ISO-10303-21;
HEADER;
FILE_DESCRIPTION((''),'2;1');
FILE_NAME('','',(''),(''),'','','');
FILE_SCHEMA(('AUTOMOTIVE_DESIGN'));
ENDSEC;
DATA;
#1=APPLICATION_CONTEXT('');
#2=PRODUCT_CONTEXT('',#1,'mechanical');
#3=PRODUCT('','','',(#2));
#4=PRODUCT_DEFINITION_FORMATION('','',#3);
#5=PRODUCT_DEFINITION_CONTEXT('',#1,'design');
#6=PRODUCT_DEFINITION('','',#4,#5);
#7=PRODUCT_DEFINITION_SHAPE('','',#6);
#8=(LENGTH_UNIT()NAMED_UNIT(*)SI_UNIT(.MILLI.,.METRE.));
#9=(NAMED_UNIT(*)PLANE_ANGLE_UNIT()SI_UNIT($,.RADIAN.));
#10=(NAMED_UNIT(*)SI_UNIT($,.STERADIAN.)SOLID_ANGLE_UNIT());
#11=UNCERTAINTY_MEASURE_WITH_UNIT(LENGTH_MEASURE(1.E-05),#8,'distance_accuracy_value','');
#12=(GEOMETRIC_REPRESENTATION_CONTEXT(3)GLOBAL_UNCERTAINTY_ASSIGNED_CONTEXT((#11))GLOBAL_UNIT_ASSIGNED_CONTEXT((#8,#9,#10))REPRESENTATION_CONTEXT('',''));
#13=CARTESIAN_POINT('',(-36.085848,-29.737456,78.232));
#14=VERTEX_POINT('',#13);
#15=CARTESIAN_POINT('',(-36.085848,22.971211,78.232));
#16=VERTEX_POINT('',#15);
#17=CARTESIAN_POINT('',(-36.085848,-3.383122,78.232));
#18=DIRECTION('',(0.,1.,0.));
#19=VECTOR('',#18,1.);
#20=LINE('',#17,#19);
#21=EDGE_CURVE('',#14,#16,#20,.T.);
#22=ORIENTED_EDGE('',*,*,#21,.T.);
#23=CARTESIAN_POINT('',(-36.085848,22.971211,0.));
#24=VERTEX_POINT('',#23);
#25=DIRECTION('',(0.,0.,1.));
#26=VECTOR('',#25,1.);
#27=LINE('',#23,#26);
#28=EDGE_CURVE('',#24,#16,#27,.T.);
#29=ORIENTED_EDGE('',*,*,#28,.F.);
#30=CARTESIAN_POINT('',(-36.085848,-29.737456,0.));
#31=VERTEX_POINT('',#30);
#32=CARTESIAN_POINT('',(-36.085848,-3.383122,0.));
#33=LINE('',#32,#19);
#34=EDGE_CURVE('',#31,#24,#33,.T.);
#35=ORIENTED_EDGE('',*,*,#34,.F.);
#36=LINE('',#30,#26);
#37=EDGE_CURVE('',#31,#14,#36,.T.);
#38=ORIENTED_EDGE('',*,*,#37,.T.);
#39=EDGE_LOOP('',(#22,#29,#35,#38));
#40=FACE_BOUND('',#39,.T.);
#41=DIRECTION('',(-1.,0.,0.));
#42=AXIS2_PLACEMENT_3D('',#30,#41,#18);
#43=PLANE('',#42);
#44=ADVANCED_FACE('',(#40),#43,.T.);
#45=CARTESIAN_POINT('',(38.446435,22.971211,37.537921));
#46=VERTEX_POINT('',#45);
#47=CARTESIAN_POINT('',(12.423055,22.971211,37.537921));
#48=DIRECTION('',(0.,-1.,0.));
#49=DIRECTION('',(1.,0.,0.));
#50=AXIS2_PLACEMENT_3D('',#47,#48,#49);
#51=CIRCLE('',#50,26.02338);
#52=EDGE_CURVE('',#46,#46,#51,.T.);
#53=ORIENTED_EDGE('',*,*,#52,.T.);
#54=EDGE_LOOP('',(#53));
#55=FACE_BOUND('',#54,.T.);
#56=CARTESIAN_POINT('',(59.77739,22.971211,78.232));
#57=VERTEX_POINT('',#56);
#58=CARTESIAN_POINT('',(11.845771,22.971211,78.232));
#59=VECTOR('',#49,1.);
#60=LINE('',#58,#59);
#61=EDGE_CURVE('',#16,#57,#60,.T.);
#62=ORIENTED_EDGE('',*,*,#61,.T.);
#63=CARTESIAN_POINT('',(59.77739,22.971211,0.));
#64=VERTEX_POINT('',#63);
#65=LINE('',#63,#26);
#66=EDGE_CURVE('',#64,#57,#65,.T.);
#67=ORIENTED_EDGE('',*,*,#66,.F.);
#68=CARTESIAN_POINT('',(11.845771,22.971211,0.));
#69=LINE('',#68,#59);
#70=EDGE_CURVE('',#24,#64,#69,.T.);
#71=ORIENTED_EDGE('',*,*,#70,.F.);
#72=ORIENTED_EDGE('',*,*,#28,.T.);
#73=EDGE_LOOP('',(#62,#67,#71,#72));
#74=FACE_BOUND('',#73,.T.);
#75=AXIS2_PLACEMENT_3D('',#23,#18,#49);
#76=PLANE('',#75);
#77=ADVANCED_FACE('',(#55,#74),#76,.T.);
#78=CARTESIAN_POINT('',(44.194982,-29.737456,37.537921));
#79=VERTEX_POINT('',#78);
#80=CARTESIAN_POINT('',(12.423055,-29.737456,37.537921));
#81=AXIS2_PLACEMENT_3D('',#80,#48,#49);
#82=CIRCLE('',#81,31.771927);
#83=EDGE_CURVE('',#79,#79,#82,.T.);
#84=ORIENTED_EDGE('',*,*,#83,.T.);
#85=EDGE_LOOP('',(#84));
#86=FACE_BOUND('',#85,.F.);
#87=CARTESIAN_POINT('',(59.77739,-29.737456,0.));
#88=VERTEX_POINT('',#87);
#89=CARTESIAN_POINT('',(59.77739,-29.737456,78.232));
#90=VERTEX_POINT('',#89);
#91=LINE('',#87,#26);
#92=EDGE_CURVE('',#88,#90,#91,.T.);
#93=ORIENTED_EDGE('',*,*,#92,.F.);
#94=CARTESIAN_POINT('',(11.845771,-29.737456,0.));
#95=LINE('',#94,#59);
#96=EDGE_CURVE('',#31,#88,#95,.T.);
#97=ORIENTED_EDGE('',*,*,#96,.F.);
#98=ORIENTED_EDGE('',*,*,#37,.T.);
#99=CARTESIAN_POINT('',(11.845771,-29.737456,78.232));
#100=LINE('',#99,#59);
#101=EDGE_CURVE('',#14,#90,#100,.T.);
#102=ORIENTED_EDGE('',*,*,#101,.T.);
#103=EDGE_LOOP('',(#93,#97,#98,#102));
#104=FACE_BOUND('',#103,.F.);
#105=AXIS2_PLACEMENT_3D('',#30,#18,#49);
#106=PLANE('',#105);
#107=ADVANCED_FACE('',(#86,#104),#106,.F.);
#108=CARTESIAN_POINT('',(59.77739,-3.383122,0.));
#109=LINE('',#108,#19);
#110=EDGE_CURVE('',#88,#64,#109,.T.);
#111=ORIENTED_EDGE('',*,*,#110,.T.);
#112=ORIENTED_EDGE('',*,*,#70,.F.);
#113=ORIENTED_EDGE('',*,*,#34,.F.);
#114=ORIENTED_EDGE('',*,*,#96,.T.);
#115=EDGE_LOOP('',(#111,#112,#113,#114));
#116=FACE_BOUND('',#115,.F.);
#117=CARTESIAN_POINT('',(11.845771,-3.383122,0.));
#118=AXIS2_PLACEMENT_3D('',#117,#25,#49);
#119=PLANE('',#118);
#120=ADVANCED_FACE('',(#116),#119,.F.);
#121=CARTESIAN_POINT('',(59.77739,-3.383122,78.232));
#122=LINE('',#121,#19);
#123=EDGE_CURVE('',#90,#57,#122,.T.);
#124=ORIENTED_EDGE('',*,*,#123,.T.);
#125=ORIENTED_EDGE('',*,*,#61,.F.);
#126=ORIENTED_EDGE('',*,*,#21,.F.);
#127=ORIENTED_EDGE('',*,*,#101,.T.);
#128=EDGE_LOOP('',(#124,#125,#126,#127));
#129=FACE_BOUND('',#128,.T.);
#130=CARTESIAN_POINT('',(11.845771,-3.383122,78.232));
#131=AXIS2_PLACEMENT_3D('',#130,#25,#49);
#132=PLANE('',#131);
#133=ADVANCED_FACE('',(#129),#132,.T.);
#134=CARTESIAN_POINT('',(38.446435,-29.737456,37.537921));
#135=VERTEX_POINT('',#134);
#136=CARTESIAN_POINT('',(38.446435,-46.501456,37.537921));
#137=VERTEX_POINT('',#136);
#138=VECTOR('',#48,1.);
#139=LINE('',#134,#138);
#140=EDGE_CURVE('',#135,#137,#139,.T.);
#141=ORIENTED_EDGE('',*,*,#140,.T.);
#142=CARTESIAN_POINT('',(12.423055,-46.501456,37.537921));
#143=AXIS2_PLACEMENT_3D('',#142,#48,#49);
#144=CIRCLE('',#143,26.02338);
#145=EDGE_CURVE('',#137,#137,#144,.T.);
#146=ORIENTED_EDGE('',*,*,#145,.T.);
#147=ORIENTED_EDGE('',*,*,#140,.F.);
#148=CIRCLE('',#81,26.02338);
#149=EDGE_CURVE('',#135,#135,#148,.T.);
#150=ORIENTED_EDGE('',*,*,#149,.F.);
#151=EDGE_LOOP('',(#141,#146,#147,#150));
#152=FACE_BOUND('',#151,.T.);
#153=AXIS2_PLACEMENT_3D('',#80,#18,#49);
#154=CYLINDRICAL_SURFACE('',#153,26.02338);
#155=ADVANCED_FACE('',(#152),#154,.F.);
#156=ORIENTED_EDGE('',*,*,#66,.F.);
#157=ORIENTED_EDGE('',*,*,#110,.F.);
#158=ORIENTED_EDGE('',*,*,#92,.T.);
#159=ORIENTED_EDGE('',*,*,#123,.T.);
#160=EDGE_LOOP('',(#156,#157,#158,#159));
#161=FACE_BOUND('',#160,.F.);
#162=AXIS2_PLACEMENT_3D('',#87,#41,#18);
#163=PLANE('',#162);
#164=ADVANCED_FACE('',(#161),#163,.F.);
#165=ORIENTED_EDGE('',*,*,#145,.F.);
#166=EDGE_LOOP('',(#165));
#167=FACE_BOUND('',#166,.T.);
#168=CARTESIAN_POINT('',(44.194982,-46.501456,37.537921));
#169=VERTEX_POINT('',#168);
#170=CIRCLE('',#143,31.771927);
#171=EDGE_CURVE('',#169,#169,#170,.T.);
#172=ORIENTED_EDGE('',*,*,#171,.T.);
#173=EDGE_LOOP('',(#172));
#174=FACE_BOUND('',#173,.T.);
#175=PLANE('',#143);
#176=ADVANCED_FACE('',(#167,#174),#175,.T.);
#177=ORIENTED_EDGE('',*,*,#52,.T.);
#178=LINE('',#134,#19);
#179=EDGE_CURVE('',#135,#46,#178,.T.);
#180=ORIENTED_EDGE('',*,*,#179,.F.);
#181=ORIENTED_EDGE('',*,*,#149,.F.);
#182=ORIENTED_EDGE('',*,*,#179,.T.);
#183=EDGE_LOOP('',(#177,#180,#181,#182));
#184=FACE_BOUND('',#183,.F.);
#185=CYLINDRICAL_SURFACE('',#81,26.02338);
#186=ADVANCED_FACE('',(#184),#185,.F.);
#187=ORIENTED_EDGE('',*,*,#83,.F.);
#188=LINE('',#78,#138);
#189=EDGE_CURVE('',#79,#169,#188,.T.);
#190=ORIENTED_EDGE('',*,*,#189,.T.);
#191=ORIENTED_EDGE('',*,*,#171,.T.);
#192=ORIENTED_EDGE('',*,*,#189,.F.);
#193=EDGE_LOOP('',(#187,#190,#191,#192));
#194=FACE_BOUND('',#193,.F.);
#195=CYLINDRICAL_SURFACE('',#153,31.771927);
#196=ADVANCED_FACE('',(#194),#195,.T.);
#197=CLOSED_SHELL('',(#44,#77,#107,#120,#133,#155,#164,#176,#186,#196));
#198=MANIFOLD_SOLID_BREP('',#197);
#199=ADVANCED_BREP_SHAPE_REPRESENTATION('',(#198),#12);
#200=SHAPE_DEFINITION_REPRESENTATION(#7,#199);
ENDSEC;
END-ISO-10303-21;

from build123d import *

# Parameters (mm, degrees)
F0_W     = 95.863237977
F0_H     = 52.7086667717
F1_DEPTH = 78.232
F2_R     = 31.7719269524
F2_R_2   = 26.0233800566
F3_DEPTH = 16.764
F4_DEPTH = 137.668


with BuildPart() as f1:
    # F0 (on Top) → F1 (new body)
    with BuildSketch(Plane.XY):
        with Locations((11.8457712233, -3.3831223845)):
            Rectangle(F0_W, F0_H)
    extrude(amount=F1_DEPTH)

    # F2 (on face) → F3 (join)
    with BuildSketch(Plane.XZ.offset(29.7374557704)):
        with Locations((12.4230552465, 37.5379212201)):
            Circle(F2_R)
        with Locations((12.4230552465, 37.5379212201)):
            Circle(F2_R_2, mode=Mode.SUBTRACT)
    extrude(amount=F3_DEPTH)

    # F4 (cut): a face of the model
    f4_faces = [f1.faces().sort_by_distance(p)[0] for p in [
        (12.4230552465, -29.7374557704, 37.5379212201),
    ]]
    extrude(f4_faces, amount=-F4_DEPTH, mode=Mode.SUBTRACT)


solid = f1.part
